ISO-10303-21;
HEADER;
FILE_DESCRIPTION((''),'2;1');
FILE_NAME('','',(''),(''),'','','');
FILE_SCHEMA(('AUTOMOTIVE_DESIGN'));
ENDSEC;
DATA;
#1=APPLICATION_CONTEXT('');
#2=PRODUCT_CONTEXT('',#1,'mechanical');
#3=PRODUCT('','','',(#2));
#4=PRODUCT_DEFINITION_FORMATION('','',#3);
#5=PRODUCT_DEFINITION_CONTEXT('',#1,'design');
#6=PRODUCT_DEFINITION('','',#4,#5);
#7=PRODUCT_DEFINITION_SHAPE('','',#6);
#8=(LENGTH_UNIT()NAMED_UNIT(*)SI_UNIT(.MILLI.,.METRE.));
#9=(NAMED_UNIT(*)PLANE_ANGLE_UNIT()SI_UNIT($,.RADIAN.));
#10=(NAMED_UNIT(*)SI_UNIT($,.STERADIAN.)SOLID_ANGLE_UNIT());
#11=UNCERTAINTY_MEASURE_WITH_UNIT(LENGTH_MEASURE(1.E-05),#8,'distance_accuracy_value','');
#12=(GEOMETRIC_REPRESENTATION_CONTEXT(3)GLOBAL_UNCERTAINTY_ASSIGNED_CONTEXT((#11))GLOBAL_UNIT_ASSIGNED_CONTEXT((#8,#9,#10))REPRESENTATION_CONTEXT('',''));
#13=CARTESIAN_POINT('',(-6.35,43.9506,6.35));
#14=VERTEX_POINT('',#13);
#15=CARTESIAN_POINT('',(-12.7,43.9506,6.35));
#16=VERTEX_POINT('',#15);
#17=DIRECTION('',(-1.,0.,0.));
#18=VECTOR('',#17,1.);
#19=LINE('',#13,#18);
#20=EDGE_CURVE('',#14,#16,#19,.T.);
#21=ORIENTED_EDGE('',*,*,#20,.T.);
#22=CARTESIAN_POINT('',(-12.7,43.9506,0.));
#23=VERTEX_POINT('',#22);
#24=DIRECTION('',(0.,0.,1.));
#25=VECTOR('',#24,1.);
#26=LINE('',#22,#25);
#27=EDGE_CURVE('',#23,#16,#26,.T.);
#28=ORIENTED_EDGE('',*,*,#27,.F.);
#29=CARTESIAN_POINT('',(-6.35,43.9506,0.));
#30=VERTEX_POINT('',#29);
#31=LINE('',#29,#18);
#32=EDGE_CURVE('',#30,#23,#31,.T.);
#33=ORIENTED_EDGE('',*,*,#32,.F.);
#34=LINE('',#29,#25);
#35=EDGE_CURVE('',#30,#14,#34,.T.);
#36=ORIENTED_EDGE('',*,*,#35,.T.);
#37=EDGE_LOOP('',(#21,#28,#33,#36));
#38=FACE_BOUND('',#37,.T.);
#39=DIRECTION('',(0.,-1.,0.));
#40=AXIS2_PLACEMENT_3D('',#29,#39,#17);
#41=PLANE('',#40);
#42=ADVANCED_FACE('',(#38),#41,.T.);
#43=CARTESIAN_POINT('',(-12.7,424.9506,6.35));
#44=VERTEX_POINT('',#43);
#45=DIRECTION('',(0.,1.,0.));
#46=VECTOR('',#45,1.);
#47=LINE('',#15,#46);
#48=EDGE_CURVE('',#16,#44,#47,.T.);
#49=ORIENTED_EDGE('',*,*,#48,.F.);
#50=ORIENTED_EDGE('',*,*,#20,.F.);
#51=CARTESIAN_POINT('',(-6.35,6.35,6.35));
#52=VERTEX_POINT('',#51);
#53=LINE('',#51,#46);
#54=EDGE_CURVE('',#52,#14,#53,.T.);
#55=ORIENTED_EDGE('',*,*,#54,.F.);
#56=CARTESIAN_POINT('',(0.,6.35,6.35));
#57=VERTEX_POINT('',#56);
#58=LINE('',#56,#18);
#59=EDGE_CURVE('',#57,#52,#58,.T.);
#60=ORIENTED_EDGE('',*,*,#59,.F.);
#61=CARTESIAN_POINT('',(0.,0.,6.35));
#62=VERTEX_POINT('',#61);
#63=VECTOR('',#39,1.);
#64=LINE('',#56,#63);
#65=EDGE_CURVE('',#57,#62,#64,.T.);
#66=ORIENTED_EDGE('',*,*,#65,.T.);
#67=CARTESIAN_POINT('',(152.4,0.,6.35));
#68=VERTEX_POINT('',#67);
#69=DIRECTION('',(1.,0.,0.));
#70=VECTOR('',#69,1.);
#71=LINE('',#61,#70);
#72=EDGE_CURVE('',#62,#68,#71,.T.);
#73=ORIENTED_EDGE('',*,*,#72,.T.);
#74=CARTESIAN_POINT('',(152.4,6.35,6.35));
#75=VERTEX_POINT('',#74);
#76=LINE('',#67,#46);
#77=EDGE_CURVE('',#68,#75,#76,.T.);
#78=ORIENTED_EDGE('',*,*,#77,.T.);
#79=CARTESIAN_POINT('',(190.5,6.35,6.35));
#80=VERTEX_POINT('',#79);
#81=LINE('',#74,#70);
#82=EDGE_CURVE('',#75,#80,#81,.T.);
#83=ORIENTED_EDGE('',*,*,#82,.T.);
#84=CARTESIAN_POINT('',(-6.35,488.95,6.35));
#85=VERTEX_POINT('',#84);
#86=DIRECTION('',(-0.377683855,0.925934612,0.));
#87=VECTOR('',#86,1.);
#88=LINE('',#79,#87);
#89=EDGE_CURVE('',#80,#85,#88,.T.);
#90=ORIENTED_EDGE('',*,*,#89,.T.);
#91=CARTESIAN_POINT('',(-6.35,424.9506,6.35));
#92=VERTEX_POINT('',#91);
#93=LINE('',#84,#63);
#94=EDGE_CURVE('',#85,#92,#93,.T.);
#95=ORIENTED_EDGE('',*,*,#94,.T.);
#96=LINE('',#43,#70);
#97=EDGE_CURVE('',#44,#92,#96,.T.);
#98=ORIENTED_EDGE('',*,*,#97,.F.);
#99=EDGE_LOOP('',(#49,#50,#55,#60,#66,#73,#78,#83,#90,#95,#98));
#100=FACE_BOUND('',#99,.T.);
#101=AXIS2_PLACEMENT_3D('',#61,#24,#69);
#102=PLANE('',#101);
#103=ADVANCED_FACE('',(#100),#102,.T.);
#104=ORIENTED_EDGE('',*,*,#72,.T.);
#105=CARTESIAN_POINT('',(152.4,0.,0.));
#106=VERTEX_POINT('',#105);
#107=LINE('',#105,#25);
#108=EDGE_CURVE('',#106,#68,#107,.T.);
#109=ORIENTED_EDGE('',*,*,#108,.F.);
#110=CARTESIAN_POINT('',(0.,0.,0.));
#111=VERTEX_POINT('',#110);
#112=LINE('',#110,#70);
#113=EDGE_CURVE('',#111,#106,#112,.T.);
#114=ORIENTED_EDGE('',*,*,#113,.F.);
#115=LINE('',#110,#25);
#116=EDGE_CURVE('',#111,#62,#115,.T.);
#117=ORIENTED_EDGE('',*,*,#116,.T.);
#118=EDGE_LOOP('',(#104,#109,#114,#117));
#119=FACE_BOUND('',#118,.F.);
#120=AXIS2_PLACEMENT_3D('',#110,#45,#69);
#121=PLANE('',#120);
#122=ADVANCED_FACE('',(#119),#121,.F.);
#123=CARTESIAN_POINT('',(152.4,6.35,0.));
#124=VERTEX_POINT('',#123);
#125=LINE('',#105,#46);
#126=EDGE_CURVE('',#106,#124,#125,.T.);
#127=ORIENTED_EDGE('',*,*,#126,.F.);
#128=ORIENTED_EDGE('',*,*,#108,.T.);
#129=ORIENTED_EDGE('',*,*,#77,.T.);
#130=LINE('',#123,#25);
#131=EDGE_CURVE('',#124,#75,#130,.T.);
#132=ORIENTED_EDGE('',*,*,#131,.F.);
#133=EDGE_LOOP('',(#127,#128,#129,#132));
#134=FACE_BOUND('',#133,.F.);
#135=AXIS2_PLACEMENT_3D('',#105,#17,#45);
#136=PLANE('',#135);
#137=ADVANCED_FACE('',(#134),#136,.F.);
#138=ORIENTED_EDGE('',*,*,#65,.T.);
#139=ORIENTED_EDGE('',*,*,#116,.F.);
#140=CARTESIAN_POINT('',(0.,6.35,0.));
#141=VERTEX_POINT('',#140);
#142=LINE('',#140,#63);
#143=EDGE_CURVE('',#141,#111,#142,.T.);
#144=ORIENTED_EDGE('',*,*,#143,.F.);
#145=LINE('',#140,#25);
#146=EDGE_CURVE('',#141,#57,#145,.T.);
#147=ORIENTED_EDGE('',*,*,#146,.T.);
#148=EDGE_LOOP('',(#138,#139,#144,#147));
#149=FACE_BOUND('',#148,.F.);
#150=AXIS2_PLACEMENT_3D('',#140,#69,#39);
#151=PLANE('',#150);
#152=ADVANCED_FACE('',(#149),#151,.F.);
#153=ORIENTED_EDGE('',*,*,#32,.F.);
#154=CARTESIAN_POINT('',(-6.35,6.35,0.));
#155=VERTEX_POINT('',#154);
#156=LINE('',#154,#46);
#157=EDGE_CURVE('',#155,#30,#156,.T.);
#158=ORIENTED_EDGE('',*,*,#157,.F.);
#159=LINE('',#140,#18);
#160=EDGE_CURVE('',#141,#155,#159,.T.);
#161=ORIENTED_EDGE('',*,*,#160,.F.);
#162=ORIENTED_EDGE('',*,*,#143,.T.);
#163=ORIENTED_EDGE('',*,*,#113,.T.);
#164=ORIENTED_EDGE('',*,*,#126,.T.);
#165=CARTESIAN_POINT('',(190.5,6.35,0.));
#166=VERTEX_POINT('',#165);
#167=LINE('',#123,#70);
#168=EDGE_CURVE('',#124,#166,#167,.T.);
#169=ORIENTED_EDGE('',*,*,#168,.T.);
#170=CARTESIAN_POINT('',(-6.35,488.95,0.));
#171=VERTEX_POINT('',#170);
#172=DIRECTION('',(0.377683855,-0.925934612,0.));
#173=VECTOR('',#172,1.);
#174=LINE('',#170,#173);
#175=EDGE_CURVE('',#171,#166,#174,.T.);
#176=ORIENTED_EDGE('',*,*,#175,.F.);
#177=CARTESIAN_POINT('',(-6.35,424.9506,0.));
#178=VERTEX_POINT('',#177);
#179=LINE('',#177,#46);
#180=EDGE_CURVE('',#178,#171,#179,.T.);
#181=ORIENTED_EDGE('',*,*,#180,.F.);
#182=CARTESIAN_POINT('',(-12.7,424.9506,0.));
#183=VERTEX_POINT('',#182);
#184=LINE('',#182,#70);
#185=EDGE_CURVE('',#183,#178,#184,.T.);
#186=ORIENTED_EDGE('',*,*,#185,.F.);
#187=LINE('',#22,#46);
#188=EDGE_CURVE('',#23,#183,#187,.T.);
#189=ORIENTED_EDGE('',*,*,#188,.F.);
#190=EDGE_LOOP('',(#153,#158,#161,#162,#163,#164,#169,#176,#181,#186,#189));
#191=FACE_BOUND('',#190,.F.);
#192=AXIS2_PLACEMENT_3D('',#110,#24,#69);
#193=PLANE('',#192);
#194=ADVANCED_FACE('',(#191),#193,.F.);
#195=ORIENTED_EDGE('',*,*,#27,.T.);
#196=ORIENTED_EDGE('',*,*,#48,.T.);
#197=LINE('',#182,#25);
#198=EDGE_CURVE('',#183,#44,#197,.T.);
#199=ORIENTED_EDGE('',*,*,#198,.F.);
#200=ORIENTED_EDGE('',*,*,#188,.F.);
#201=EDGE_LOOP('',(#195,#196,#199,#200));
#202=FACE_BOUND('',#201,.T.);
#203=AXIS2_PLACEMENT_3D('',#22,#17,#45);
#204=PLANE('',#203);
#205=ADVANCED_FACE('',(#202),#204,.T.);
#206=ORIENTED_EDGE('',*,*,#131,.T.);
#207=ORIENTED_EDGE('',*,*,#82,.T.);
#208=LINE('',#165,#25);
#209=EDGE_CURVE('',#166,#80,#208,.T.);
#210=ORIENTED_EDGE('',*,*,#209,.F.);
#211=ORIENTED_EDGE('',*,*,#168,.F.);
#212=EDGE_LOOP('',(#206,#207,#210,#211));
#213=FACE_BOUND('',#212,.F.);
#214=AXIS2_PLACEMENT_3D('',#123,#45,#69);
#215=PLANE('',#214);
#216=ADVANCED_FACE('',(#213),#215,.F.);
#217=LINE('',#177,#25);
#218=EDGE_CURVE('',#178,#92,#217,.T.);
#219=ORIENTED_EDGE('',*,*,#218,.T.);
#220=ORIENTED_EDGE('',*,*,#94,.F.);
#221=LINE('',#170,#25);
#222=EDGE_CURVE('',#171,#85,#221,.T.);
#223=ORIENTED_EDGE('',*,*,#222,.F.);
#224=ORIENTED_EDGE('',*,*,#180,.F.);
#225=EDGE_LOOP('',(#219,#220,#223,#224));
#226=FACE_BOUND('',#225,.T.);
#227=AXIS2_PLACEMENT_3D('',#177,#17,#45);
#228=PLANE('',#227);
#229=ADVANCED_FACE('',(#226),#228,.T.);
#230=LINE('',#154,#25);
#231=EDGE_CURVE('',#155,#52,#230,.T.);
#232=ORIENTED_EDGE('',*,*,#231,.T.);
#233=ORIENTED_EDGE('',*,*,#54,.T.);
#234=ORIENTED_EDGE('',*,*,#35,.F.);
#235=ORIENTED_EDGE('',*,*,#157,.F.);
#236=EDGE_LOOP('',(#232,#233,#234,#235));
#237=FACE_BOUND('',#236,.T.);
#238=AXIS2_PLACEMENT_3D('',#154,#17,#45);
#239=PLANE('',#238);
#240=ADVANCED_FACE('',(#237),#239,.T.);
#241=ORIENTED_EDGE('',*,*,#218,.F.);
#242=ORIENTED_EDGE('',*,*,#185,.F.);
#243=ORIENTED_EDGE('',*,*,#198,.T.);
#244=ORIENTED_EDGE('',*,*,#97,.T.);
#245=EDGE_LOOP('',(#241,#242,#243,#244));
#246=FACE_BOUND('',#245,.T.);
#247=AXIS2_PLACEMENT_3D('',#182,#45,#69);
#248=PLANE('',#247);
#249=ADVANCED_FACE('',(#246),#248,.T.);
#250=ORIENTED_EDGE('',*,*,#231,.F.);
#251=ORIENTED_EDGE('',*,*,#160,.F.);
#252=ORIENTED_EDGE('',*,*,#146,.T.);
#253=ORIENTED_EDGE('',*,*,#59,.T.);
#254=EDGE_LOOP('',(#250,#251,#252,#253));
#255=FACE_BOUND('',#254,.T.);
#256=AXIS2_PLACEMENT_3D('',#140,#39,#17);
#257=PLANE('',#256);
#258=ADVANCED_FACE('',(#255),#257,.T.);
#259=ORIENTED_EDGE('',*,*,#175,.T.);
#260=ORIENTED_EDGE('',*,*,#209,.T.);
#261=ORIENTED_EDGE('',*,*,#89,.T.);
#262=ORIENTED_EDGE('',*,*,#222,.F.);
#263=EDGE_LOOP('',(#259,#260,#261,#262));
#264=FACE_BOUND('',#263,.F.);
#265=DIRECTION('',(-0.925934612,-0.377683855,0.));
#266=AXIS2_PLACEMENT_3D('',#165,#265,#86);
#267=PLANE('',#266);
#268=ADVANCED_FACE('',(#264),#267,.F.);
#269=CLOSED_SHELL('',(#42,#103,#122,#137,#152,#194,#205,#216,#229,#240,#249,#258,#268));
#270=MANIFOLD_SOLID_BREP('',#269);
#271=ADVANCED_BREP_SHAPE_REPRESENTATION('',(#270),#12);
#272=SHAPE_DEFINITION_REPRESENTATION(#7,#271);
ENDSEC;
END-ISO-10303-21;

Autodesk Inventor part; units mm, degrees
ref_plane "YZ Plane" through (0, 0, 0) normal (1, 0, 0) x (0, 1, 0)
ref_plane "XZ Plane" through (0, 0, 0) normal (0, 1, 0) x (-1, 0, 0)
ref_plane "XY Plane" through (0, 0, 0) normal (0, 0, 1) x (1, 0, 0)
sketch "Sketch1" plane through (0, 0, 0) normal (0, 0, 1) x (1, 0, 0)
  line L0 (0, 0) -> (152.4, 0)
  line L1 (152.4, 0) -> (152.4, 6.35)
  line L2 (152.4, 6.35) -> (0, 6.35)
  line L3 (0, 6.35) -> (0, 0)
  line L4 (0, 6.35) -> (6.35, 6.35)
  line L5 (152.4, 6.35) -> (190.5, 6.35)
  line L6 (0, 6.35) -> (6.35, 6.35)
  line L7 (-6.35, 425.45) -> (0, 425.45)
  line L8 (0, 6.35) -> (-6.35, 6.35)
  line L9 (-6.35, 6.35) -> (-6.35, 488.95)
  line L10 (-6.35, 488.95) -> (0, 488.95)
  line L11 (0, 488.95) -> (0, 6.35)
  line L12 (-6.35, 43.9506) -> (-12.7, 43.9506)
  line L13 (-12.7, 43.9506) -> (-12.7, 424.9506)
  line L14 (-12.7, 424.9506) -> (-6.35, 424.9506)
  line L15 (-6.35, 424.9506) -> (-6.35, 43.9506)
  line L16 (190.5, 6.35) -> (-6.35, 488.95)
  point P0 (3.175, 6.35)
  point P1 (-3.175, 6.35)
  point P2 (-9.525, 43.9506)
  dimension "d0" = 152.4
  dimension "d1" = 6.35
  dimension "d7" = 38.1
  dimension "d12" = 6.35
  dimension "d15" = 6.35
  dimension "d16" = 482.6
  dimension "d17" = 6.35
  dimension "d18" = 381
  dimension "d19" = 37.6006
extrude "Extrusion1" add sketch "Sketch1" along normal blind 6.35 contours L3 L2 L1 L0 | L11 L16 L5 L2 | L8 L9 L7 L11 | L7 L9 L16 L11 | L12 L13 L14 L9
properties part number "side_support"
